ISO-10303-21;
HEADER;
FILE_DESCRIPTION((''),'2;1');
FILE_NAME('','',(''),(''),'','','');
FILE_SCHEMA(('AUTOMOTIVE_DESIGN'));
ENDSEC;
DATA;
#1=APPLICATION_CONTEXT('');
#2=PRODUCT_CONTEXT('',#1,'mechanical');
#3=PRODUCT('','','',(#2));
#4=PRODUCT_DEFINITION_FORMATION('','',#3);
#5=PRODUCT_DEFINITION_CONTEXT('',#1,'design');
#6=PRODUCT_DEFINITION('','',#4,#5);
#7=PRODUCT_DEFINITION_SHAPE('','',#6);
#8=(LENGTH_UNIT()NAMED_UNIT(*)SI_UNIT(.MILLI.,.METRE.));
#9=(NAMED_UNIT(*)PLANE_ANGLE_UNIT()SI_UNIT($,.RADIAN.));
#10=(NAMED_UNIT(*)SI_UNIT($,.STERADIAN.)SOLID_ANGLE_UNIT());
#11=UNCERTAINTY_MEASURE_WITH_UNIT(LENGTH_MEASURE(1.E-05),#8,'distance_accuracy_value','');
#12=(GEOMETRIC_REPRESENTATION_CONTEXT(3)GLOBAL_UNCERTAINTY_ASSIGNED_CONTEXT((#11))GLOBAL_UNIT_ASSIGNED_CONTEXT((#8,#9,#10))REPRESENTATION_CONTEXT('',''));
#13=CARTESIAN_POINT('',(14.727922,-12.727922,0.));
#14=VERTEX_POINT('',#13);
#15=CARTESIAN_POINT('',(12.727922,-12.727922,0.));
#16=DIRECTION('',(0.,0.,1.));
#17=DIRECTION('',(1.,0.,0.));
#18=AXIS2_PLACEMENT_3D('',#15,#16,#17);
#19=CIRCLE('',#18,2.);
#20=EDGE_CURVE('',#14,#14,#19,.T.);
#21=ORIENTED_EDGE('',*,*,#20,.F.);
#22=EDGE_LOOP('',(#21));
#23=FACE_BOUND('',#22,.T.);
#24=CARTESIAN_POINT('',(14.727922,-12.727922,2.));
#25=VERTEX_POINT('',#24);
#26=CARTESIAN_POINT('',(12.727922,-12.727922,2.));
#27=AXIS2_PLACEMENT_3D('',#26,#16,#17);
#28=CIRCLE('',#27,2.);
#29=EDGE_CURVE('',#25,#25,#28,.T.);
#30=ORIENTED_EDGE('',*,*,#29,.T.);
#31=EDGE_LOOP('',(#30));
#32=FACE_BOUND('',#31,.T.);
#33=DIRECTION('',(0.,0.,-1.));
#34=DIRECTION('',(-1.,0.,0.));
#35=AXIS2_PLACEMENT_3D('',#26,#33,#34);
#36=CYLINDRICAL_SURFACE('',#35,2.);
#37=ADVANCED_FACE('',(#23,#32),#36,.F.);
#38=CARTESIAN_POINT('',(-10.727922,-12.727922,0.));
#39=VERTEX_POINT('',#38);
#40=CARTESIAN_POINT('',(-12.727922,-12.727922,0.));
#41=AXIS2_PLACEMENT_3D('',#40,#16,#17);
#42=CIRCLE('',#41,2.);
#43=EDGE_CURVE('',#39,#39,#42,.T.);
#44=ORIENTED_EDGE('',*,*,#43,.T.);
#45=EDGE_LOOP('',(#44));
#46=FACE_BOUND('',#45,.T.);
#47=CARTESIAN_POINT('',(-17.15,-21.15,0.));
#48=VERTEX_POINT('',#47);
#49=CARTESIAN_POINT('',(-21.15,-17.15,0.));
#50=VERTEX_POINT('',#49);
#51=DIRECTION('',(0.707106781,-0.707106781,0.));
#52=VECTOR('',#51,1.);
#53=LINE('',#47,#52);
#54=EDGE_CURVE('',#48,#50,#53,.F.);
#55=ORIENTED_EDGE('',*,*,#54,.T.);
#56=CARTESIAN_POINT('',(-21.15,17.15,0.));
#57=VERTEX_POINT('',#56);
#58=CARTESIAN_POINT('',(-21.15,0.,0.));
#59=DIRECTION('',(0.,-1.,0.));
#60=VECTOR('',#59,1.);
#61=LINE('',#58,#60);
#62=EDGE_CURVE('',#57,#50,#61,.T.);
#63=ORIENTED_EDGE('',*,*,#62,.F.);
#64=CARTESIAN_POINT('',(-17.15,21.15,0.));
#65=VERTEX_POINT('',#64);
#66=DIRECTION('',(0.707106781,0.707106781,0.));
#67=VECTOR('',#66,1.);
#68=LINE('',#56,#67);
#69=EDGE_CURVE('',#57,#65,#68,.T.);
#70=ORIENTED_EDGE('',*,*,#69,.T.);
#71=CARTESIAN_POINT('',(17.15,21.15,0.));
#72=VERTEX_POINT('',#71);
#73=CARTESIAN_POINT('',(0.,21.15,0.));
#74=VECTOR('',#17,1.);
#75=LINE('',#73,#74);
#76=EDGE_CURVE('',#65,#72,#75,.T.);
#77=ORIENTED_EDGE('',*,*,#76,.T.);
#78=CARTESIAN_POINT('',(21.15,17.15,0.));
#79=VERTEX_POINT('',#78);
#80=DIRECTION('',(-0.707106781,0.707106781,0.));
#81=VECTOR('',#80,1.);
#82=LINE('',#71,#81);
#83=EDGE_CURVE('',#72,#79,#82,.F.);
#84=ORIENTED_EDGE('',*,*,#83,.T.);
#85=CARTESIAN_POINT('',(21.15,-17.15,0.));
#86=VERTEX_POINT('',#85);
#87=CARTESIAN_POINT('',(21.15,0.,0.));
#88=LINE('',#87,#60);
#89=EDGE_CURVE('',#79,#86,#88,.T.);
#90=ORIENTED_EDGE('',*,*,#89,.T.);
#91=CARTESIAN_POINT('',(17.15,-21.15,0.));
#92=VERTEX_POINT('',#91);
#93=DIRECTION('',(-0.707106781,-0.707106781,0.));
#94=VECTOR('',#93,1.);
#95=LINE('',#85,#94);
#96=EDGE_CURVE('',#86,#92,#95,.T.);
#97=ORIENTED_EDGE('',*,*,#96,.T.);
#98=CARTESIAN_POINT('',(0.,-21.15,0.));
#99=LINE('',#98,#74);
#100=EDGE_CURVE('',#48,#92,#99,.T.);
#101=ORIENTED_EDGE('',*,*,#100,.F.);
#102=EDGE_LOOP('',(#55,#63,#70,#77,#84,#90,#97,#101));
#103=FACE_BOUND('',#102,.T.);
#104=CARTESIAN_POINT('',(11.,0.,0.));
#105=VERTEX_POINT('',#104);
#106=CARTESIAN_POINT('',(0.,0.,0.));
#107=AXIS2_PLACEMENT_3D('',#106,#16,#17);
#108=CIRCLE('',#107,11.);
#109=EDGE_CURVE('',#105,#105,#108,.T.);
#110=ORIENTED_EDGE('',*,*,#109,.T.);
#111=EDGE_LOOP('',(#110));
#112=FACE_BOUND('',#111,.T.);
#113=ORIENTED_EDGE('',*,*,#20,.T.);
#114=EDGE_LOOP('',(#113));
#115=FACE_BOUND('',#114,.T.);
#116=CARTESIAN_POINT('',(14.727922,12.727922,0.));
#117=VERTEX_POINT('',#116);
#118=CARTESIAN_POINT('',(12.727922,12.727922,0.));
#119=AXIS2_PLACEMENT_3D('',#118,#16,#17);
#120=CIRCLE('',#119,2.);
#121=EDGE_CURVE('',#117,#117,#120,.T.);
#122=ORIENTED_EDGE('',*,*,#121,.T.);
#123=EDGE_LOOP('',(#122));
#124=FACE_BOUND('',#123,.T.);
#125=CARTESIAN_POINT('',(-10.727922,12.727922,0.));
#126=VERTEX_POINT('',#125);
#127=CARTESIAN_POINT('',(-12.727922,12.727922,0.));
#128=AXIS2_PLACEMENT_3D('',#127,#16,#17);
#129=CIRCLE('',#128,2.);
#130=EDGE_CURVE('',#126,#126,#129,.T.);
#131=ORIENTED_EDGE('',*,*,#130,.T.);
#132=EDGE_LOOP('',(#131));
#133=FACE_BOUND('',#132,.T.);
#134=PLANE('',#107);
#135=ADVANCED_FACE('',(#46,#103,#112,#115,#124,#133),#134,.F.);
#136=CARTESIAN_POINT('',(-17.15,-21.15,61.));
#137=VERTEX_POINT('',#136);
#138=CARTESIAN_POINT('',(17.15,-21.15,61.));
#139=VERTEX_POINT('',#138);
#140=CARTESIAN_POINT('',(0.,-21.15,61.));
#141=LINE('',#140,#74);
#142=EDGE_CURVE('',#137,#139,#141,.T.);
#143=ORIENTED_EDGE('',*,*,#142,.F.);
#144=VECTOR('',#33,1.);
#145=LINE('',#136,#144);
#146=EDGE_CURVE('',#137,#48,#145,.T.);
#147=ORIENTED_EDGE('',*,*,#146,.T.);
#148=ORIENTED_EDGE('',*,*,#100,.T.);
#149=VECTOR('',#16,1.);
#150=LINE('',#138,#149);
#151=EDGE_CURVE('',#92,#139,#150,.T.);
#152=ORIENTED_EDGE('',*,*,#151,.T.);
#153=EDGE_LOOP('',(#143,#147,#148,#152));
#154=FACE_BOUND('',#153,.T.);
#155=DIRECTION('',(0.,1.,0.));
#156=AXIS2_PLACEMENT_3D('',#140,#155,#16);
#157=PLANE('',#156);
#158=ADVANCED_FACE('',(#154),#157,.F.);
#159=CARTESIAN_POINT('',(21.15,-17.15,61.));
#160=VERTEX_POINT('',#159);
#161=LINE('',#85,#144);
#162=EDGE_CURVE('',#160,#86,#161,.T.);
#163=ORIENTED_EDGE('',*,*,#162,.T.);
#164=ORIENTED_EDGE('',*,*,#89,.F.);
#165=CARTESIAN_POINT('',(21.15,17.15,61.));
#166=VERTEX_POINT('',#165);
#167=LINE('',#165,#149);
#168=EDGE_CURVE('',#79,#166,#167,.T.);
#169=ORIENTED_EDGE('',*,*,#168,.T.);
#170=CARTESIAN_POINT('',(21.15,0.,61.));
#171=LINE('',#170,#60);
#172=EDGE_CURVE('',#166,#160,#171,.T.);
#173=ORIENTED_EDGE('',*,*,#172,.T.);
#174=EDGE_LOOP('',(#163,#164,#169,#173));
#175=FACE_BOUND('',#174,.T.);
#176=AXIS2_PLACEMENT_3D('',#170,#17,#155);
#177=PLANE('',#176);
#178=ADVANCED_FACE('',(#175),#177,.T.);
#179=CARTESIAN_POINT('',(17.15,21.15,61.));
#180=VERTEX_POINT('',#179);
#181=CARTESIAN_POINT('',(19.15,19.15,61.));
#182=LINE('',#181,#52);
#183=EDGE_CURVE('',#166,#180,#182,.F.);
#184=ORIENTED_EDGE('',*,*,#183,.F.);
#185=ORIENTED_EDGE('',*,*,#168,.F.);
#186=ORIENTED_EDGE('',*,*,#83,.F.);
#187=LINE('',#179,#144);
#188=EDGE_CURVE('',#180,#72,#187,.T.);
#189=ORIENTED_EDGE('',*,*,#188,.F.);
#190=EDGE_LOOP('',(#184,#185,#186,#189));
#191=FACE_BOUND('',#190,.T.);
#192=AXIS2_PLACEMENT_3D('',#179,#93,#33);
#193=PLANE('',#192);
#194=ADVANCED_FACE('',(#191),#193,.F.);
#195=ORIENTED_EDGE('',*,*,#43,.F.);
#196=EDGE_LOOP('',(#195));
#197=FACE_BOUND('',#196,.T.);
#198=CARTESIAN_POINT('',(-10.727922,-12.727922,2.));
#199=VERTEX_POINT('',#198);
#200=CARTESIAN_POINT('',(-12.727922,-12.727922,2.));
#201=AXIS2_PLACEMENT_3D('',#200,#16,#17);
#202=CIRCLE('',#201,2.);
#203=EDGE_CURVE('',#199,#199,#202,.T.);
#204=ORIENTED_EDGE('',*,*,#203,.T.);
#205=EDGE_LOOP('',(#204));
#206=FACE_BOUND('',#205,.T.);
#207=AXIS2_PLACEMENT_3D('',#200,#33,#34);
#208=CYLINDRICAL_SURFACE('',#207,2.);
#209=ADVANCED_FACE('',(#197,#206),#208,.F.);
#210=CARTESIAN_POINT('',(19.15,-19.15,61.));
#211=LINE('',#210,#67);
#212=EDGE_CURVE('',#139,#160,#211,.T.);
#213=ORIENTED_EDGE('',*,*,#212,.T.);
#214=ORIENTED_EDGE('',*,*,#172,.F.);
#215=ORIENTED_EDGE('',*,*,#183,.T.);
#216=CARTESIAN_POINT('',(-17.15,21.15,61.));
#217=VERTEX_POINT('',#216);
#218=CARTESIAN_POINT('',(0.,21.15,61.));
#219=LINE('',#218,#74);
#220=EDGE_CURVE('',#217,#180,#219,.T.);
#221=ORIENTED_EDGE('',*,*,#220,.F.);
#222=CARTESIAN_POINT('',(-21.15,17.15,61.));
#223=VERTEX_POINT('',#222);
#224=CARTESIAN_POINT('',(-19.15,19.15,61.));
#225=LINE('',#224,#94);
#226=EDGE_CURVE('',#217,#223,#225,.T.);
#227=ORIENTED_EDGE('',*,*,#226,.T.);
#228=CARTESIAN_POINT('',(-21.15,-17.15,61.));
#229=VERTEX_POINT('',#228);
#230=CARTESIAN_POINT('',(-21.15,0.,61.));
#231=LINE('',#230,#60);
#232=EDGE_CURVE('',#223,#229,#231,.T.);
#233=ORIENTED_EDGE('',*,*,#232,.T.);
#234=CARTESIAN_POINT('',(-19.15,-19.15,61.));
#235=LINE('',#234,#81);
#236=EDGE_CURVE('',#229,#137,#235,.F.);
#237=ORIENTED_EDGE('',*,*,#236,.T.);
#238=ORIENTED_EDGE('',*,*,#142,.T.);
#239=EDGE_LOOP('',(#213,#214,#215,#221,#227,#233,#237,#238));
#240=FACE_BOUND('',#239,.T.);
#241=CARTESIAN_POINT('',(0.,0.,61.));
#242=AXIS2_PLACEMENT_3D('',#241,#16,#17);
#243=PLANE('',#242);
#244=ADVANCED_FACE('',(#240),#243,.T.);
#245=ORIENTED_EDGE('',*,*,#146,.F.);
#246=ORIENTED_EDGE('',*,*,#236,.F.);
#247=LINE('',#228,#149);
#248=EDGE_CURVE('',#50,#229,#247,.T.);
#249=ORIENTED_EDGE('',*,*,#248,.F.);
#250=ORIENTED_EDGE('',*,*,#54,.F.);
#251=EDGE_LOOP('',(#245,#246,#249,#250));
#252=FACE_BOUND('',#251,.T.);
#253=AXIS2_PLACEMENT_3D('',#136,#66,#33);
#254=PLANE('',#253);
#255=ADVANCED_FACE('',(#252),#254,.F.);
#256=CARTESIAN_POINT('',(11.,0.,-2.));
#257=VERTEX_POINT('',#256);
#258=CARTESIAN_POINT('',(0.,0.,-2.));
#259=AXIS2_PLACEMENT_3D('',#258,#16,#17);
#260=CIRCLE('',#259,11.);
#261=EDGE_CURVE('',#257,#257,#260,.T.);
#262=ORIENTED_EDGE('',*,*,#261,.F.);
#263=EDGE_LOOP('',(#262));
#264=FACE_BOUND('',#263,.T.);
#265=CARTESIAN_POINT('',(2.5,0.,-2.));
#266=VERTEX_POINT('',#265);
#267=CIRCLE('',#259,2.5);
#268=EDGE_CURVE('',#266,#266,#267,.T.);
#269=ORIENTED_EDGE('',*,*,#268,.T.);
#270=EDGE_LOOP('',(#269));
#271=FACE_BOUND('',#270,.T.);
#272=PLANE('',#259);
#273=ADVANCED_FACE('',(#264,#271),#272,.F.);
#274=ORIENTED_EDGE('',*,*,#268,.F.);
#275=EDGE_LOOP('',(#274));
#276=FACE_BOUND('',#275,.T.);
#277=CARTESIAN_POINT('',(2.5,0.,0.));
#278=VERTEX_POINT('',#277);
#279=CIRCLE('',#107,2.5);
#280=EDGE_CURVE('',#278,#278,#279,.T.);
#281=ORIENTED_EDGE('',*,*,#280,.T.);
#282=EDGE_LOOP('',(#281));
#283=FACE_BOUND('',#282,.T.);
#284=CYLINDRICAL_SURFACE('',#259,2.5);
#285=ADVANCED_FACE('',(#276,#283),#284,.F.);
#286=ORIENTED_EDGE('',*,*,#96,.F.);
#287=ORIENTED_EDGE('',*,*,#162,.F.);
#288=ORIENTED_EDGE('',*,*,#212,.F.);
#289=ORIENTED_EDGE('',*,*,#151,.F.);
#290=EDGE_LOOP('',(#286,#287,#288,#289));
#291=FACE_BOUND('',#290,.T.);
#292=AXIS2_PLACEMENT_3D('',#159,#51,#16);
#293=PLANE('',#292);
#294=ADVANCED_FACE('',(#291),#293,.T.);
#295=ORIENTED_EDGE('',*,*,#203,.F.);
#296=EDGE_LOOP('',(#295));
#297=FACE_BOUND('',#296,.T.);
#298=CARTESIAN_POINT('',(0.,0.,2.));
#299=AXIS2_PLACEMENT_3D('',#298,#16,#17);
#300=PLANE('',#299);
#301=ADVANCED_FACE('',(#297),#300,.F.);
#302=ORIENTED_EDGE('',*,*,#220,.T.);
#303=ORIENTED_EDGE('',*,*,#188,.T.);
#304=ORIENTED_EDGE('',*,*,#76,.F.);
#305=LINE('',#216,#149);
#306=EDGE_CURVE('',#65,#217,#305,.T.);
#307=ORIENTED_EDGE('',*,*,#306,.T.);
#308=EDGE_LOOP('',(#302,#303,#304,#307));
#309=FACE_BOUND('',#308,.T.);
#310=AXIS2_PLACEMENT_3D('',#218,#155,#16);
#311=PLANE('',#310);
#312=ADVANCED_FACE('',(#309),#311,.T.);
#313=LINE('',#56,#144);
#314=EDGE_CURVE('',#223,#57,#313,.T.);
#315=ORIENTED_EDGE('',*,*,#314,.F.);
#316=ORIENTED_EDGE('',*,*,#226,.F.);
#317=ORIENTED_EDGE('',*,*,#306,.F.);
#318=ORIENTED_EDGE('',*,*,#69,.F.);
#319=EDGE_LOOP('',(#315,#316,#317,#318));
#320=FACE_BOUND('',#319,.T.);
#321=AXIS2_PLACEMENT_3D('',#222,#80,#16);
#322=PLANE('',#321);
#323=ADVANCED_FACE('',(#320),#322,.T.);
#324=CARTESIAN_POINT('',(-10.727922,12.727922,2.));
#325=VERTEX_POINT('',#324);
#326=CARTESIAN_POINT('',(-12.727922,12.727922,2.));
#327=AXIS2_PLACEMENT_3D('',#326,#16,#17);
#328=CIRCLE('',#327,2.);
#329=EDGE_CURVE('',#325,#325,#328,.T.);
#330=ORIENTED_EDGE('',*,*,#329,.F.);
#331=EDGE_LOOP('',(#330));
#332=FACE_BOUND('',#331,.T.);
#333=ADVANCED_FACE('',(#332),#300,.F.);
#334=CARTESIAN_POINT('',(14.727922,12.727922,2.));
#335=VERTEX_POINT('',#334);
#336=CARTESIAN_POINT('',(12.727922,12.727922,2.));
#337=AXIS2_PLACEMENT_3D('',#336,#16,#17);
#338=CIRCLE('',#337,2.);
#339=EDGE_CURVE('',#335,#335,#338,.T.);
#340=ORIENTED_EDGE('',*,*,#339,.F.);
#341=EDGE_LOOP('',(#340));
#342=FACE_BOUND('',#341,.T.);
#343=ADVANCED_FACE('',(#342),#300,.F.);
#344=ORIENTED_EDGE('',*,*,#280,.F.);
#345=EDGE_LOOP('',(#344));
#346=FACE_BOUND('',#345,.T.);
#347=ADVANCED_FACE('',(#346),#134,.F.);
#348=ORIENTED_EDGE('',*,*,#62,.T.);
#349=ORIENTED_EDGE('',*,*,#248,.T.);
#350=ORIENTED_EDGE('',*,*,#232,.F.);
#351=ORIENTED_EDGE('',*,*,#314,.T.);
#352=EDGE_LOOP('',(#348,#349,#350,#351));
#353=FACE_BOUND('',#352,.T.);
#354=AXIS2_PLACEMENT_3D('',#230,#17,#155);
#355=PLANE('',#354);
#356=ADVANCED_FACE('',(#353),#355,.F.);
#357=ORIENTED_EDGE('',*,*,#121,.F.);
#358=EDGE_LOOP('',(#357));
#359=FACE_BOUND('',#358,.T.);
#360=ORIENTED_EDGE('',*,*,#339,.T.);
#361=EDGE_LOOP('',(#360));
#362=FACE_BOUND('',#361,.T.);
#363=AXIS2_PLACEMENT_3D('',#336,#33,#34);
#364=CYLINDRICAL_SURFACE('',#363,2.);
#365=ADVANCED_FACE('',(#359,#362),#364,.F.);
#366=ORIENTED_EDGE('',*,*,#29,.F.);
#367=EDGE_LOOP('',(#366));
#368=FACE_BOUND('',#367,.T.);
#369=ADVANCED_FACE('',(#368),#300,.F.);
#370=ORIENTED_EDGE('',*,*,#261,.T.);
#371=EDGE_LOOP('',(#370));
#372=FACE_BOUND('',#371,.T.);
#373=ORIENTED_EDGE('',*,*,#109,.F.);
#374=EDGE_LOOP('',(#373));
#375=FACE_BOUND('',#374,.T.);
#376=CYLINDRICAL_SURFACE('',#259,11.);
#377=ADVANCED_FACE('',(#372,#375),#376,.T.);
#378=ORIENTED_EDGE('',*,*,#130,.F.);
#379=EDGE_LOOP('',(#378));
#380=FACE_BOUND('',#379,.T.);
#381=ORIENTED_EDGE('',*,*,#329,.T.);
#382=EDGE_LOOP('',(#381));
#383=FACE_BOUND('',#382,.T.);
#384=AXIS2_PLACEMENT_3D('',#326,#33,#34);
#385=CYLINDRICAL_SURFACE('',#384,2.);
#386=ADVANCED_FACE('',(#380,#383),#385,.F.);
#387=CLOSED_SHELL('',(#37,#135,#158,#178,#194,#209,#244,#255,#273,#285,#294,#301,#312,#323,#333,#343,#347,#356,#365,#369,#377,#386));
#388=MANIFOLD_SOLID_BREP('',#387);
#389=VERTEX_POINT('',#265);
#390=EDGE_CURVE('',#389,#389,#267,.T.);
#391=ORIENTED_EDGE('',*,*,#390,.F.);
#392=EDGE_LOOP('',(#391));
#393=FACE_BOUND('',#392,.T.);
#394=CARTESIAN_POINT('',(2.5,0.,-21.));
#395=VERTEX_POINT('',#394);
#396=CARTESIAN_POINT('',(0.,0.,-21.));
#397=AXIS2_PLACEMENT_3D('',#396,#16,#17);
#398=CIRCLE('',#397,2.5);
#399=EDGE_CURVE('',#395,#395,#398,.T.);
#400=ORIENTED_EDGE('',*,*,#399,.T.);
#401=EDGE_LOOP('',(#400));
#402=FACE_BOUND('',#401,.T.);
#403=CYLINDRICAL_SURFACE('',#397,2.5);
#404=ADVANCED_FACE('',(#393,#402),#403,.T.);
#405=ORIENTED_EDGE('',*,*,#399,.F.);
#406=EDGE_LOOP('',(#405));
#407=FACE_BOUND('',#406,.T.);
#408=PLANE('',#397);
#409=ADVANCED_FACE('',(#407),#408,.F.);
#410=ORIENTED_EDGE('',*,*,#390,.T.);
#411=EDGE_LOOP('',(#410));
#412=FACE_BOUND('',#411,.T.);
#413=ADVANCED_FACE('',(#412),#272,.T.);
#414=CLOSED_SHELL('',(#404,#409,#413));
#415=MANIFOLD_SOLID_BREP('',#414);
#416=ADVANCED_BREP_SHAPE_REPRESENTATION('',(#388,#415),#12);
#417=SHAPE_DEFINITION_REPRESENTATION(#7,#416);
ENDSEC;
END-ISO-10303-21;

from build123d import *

# Parameters (mm, degrees)
SKETCH1_W           = 42.3
SKETCH1_H           = 42.3
SKETCH1_R           = 2
SKETCH1_R_2         = 11
SKETCH1_R_3         = 2.5
BOSS_EXTRUDE1_DEPTH = 61
SKETCH1_3_R         = 11
SKETCH1_3_R_2       = 2.5
BOSS_EXTRUDE2_DEPTH = 2
SKETCH1_4_R         = 2
CUT_EXTRUDE1_DEPTH  = 2
BOSS_EXTRUDE3_START = -2
SKETCH1_5_R         = 2.5
BOSS_EXTRUDE3_DEPTH = 19
CHAMFER1_SIZE       = 4


with BuildPart() as part:
    # Sketch1 → Boss-Extrude1 (new body)
    # profile 1 of 7: a face of its own
    with BuildSketch(Plane.XY):
        Rectangle(SKETCH1_W, SKETCH1_H)
        with Locations((-12.727922061, -12.727922061)):
            Circle(SKETCH1_R, mode=Mode.SUBTRACT)
        with Locations((12.727922061, -12.727922061)):
            Circle(SKETCH1_R, mode=Mode.SUBTRACT)
        with Locations((12.727922061, 12.727922061)):
            Circle(SKETCH1_R, mode=Mode.SUBTRACT)
        with Locations((-12.727922061, 12.727922061)):
            Circle(SKETCH1_R, mode=Mode.SUBTRACT)
        Circle(SKETCH1_R_2, mode=Mode.SUBTRACT)
    # profile 2 of 7: a face of its own
    with BuildSketch(Plane.XY):
        Circle(SKETCH1_R_2)
        Circle(SKETCH1_R_3, mode=Mode.SUBTRACT)
    # profile 3 of 7: a face of its own
    with BuildSketch(Plane.XY):
        with Locations((-12.727922061, -12.727922061)):
            Circle(SKETCH1_R)
    # profile 4 of 7: a face of its own
    with BuildSketch(Plane.XY):
        with Locations((-12.727922061, 12.727922061)):
            Circle(SKETCH1_R)
    # profile 5 of 7: a face of its own
    with BuildSketch(Plane.XY):
        with Locations((12.727922061, 12.727922061)):
            Circle(SKETCH1_R)
    # profile 6 of 7: a face of its own
    with BuildSketch(Plane.XY):
        with Locations((12.727922061, -12.727922061)):
            Circle(SKETCH1_R)
    # profile 7 of 7: a face of its own
    with BuildSketch(Plane.XY):
        Circle(SKETCH1_R_3)
    extrude(amount=BOSS_EXTRUDE1_DEPTH)

    # Sketch1<3> → Boss-Extrude2 (add)
    with BuildSketch(Plane.XY):
        Circle(SKETCH1_3_R)
        Circle(SKETCH1_3_R_2, mode=Mode.SUBTRACT)
    extrude(amount=-BOSS_EXTRUDE2_DEPTH)

    # Sketch1<4> → Cut-Extrude1 (cut)
    with BuildSketch(Plane.XY):
        with Locations((12.727922061, 12.727922061)):
            Circle(SKETCH1_4_R)
        with Locations((-12.727922061, 12.727922061)):
            Circle(SKETCH1_4_R)
        with Locations((-12.727922061, -12.727922061)):
            Circle(SKETCH1_4_R)
        with Locations((12.727922061, -12.727922061)):
            Circle(SKETCH1_4_R)
    extrude(amount=CUT_EXTRUDE1_DEPTH, mode=Mode.SUBTRACT)

    # Chamfer1
    chamfer1_edges = [part.edges().sort_by_distance(p)[0] for p in [
        (21.15, -21.15, 30.5),
        (-21.15, -21.15, 30.5),
        (-21.15, 21.15, 30.5),
        (21.15, 21.15, 30.5),
    ]]
    chamfer(chamfer1_edges, length=CHAMFER1_SIZE)


with BuildPart() as body_2:
    # Sketch1<5> → Boss-Extrude3 (new body)
    with BuildSketch(Plane.XY.offset(BOSS_EXTRUDE3_START)):
        Circle(SKETCH1_5_R)
    extrude(amount=-BOSS_EXTRUDE3_DEPTH)


solid = Compound([part.part, body_2.part])
